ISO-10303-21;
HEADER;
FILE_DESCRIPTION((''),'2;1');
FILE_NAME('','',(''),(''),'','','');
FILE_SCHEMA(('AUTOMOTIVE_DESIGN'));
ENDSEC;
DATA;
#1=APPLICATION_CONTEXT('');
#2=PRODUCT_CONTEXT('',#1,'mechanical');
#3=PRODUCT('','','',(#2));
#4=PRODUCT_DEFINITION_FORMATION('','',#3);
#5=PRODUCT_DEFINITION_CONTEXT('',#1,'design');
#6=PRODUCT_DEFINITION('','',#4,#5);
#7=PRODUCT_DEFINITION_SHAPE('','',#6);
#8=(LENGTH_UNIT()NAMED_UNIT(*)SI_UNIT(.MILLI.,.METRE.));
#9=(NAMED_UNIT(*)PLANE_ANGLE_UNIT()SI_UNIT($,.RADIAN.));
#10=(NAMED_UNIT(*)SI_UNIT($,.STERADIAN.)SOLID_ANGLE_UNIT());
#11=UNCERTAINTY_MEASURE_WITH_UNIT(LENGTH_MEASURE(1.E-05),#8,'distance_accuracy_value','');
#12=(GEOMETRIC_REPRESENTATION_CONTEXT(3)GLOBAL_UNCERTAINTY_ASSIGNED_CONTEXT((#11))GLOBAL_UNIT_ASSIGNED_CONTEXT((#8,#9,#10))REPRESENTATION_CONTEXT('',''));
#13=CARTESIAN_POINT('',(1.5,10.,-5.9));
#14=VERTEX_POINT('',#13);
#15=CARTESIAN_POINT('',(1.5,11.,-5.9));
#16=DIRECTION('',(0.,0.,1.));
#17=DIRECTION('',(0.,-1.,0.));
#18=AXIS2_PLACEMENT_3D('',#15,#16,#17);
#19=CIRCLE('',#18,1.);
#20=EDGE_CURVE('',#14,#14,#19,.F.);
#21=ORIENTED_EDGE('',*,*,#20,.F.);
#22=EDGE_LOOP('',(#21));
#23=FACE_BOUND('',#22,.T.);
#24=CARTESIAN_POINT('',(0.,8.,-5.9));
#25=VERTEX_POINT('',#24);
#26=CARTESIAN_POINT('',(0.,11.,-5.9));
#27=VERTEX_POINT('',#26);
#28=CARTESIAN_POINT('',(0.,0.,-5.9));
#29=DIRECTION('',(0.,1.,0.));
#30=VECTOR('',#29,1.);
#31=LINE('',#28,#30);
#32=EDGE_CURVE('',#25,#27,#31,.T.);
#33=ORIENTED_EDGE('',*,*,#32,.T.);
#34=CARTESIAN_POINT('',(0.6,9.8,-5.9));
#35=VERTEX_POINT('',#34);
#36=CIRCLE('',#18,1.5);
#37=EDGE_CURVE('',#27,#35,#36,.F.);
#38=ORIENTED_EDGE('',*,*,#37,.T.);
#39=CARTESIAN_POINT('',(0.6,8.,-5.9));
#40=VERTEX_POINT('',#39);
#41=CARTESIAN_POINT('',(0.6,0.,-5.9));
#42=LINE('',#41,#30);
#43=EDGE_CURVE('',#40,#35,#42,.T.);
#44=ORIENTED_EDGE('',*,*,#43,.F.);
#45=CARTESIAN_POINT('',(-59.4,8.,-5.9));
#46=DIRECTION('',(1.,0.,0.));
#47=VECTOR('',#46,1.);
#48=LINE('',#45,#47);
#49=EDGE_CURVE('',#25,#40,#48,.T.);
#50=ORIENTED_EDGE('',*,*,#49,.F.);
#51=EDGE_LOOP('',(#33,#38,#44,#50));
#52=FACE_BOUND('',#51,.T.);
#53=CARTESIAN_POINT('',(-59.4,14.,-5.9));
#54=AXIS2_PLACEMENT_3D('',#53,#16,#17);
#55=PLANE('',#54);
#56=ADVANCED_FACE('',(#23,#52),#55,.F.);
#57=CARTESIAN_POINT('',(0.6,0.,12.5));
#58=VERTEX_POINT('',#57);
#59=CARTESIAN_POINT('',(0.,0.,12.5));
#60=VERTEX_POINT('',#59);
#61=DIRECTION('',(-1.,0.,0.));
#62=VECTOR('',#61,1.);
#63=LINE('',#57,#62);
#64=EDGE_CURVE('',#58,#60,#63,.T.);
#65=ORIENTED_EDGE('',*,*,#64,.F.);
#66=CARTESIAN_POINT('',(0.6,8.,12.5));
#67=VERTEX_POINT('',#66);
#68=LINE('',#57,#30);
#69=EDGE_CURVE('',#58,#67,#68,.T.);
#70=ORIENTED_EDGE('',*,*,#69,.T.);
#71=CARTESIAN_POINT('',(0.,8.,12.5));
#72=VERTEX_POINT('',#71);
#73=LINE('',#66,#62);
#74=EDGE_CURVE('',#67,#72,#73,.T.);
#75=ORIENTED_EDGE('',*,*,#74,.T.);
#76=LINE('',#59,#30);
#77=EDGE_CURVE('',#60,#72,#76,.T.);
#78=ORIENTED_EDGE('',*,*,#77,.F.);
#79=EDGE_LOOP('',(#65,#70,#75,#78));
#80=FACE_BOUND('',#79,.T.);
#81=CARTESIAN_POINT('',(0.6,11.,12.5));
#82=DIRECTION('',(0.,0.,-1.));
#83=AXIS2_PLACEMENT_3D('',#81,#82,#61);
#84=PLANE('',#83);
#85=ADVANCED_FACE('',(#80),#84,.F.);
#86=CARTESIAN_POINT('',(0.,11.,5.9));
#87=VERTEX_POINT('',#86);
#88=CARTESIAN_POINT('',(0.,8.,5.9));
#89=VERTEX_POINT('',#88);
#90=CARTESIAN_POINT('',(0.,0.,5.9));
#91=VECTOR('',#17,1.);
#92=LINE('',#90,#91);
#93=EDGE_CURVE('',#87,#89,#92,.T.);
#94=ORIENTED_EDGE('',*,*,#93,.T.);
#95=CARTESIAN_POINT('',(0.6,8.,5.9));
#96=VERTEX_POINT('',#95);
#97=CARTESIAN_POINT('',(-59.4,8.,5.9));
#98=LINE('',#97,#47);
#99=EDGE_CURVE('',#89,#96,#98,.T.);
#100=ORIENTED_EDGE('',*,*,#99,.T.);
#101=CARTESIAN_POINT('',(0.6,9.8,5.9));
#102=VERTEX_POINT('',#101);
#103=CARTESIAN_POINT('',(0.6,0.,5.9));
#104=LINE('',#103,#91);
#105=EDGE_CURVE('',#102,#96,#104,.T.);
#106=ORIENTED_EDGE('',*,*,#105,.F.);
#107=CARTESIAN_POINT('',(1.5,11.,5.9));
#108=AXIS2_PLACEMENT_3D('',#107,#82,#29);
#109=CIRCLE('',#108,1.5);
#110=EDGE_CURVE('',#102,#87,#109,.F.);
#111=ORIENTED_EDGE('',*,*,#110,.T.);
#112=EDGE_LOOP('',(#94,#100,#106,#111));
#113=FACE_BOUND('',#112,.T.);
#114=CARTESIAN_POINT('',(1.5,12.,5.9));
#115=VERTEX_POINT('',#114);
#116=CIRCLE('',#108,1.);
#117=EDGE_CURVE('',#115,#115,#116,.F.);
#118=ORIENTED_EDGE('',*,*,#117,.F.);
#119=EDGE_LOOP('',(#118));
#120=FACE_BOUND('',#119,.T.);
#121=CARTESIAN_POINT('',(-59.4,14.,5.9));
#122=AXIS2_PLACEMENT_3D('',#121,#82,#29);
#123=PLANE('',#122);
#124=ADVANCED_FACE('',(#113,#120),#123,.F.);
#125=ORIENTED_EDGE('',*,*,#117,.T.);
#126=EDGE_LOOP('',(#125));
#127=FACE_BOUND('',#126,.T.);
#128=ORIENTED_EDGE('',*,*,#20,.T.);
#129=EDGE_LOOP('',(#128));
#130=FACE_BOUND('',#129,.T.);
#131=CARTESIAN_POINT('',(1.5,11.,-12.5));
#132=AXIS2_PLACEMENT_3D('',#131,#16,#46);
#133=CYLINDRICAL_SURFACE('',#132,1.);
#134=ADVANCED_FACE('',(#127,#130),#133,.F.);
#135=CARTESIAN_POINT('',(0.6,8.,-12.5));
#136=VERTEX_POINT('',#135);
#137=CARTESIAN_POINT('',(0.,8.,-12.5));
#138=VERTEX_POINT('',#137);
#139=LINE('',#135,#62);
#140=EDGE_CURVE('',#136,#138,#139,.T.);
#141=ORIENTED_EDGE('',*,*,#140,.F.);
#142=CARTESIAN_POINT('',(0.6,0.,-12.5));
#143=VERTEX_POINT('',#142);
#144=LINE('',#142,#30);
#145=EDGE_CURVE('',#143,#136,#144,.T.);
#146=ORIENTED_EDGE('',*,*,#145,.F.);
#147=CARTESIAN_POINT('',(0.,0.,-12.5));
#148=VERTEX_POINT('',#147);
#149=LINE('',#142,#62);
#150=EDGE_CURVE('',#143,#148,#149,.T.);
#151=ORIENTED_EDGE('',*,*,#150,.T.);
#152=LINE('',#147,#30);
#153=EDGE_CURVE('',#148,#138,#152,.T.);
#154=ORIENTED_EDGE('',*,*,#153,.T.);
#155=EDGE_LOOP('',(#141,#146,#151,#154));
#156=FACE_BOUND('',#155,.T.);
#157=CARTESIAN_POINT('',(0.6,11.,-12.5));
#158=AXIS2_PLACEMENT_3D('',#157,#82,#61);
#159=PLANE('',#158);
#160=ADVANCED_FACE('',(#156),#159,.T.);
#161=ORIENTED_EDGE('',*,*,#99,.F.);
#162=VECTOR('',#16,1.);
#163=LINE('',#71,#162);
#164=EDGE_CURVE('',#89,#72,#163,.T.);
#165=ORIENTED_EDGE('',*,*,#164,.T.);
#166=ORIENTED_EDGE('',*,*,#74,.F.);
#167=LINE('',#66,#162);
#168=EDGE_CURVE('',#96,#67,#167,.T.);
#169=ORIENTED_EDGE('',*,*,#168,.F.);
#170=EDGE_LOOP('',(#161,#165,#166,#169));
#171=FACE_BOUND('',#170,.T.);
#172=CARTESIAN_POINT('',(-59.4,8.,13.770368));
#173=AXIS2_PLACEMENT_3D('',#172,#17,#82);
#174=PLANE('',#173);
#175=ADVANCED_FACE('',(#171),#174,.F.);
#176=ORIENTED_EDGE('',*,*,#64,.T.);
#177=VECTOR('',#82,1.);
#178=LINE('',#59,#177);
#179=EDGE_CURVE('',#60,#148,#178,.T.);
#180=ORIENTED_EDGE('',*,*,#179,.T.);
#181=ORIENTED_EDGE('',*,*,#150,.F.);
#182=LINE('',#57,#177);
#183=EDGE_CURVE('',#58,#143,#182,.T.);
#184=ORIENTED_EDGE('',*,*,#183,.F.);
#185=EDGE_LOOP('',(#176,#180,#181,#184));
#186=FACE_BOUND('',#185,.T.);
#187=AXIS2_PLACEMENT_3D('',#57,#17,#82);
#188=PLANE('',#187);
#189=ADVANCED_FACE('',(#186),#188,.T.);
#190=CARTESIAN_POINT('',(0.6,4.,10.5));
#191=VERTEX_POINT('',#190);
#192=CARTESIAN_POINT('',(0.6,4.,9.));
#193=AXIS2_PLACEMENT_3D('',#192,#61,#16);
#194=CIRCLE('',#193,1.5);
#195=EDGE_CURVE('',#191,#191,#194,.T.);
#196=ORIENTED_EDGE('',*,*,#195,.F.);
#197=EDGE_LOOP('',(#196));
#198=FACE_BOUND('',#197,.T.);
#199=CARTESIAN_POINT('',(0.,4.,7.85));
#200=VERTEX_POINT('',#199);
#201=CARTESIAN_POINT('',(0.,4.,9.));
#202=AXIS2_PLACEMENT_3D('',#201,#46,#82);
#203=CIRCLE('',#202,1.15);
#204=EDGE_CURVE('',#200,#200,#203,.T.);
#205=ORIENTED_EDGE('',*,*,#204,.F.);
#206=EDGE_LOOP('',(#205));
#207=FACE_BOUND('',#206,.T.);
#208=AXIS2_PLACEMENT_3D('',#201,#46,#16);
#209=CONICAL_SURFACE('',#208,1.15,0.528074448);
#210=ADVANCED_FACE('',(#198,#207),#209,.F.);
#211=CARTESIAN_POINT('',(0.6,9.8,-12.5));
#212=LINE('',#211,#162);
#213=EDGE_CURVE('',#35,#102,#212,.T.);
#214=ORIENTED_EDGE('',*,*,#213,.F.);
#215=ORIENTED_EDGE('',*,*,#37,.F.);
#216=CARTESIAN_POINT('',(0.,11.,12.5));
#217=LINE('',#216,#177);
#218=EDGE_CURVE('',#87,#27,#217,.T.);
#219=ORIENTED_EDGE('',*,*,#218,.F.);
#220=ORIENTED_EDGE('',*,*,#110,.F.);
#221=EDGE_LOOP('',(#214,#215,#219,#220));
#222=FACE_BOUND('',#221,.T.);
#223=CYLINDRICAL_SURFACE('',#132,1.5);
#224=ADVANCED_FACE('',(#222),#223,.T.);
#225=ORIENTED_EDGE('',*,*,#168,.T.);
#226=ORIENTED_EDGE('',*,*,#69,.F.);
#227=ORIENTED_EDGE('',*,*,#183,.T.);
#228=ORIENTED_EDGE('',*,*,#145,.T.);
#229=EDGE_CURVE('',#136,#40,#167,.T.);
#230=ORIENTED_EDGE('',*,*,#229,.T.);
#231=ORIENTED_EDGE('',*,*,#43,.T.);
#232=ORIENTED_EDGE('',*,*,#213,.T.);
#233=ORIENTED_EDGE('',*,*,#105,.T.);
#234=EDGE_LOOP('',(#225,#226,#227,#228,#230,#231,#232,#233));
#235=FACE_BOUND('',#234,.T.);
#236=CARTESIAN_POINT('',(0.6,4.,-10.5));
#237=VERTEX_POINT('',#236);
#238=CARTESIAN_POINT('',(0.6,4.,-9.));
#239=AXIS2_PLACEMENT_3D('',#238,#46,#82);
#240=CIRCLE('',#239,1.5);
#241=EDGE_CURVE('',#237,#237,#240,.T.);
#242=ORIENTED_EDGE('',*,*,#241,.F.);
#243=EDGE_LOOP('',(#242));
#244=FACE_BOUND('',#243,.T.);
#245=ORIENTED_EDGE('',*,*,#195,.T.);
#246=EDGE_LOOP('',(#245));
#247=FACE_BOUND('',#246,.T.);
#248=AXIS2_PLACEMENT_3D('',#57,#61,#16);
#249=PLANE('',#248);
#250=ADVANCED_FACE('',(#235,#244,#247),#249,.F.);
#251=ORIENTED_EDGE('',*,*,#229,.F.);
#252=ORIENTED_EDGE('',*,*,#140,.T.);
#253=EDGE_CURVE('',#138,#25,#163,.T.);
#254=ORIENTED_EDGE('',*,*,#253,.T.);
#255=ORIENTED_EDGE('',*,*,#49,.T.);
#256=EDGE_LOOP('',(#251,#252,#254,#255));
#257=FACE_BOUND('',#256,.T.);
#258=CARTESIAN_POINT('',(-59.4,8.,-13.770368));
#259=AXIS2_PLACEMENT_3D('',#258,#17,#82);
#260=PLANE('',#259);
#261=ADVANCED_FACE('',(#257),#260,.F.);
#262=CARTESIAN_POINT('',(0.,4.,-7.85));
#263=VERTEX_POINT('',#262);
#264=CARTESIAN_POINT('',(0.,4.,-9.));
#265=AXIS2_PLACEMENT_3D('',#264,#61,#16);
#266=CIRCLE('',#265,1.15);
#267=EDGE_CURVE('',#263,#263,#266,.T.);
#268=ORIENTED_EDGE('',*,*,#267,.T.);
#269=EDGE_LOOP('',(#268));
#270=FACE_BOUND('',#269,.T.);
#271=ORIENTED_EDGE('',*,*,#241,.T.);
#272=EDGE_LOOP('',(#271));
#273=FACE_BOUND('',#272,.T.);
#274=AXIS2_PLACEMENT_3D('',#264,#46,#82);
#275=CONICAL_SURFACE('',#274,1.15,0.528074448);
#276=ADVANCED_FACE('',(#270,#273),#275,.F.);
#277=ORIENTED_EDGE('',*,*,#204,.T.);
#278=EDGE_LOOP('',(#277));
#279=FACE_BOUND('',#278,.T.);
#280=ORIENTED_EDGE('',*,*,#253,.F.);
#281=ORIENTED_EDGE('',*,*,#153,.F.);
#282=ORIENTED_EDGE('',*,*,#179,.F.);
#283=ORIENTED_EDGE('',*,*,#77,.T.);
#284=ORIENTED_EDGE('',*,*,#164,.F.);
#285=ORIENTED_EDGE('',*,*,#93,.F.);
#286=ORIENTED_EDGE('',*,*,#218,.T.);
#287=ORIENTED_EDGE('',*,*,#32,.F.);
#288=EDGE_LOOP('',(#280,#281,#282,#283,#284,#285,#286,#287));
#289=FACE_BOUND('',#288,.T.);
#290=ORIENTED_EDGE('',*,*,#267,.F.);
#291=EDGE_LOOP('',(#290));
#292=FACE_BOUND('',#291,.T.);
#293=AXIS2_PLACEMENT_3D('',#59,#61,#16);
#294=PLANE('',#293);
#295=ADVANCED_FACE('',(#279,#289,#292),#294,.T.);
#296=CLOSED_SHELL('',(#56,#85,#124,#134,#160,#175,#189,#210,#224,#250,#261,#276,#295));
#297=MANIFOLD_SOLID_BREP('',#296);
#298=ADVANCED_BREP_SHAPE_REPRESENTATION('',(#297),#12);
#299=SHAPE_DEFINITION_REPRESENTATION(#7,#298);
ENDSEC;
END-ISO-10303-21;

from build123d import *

# Parameters (mm, degrees)
SKETCH_1_W          = 0.6
SKETCH_1_H          = 11
EXTRUDE_1_DEPTH     = 12.5
SKETCH_2_R          = 1.5
SKETCH_3_R          = 1
CUT_EXTRUDE_1_DEPTH = 29.111385594
SKETCH_10_W         = 7.870368163
SKETCH_10_H         = 6
CUT_EXTRUDE_4_DEPTH = 60
SKETCH_12_R         = 1.15
SKETCH_11_R         = 1.5


with BuildPart() as part:
    # 草图1 → 拉伸-薄壁1 (new, symmetric)
    with BuildSketch(Plane.XY):
        with Locations((0.3, 5.5)):
            Rectangle(SKETCH_1_W, SKETCH_1_H)
    extrude(amount=EXTRUDE_1_DEPTH, both=True)

    # 扫描1: sweep along a curve in space
    with BuildLine() as sweep_1_path:
        Line((0.6, 11, 12.5), (0.6, 11, -12.5))
    # 草图2 → 扫描1 (sweep)
    with BuildSketch(Plane.XY.offset(12.5)):
        with Locations((1.5, 11)):
            Circle(SKETCH_2_R)
    sweep(path=sweep_1_path.line)

    # 草图3 → 切除-拉伸1 (cut, through all)
    with BuildSketch(Plane.XY.offset(12.5)):
        with Locations((1.5, 11)):
            Circle(SKETCH_3_R)
    extrude(amount=-CUT_EXTRUDE_1_DEPTH, mode=Mode.SUBTRACT)

    # 草图10 → 切除-拉伸4 (cut, symmetric)
    with BuildSketch(Plane(origin=(0.6, 0, 0), x_dir=(0, 0, -1), z_dir=(1, 0, 0))):
        with Locations((-9.835184081, 11)):
            Rectangle(SKETCH_10_W, SKETCH_10_H)
        with Locations((9.835184081, 11)):
            Rectangle(SKETCH_10_W, SKETCH_10_H)
    extrude(amount=CUT_EXTRUDE_4_DEPTH, both=True, mode=Mode.SUBTRACT)

    # 草图12 → 切除-放样1 section 0
    with BuildSketch(Plane.ZY):
        with Locations((-9, 4)):
            Circle(SKETCH_12_R)
    # 草图11 → 切除-放样1 section 1
    with BuildSketch(Plane(origin=(0.6, 0, 0), x_dir=(0, 0, -1), z_dir=(1, 0, 0))):
        with Locations((9, 4)):
            Circle(SKETCH_11_R)
    loft_1 = loft(mode=Mode.SUBTRACT)

    # 镜向1: 切除-放样1 across plane
    add(loft_1.mirror(Plane.XY), mode=Mode.SUBTRACT)


solid = part.part
